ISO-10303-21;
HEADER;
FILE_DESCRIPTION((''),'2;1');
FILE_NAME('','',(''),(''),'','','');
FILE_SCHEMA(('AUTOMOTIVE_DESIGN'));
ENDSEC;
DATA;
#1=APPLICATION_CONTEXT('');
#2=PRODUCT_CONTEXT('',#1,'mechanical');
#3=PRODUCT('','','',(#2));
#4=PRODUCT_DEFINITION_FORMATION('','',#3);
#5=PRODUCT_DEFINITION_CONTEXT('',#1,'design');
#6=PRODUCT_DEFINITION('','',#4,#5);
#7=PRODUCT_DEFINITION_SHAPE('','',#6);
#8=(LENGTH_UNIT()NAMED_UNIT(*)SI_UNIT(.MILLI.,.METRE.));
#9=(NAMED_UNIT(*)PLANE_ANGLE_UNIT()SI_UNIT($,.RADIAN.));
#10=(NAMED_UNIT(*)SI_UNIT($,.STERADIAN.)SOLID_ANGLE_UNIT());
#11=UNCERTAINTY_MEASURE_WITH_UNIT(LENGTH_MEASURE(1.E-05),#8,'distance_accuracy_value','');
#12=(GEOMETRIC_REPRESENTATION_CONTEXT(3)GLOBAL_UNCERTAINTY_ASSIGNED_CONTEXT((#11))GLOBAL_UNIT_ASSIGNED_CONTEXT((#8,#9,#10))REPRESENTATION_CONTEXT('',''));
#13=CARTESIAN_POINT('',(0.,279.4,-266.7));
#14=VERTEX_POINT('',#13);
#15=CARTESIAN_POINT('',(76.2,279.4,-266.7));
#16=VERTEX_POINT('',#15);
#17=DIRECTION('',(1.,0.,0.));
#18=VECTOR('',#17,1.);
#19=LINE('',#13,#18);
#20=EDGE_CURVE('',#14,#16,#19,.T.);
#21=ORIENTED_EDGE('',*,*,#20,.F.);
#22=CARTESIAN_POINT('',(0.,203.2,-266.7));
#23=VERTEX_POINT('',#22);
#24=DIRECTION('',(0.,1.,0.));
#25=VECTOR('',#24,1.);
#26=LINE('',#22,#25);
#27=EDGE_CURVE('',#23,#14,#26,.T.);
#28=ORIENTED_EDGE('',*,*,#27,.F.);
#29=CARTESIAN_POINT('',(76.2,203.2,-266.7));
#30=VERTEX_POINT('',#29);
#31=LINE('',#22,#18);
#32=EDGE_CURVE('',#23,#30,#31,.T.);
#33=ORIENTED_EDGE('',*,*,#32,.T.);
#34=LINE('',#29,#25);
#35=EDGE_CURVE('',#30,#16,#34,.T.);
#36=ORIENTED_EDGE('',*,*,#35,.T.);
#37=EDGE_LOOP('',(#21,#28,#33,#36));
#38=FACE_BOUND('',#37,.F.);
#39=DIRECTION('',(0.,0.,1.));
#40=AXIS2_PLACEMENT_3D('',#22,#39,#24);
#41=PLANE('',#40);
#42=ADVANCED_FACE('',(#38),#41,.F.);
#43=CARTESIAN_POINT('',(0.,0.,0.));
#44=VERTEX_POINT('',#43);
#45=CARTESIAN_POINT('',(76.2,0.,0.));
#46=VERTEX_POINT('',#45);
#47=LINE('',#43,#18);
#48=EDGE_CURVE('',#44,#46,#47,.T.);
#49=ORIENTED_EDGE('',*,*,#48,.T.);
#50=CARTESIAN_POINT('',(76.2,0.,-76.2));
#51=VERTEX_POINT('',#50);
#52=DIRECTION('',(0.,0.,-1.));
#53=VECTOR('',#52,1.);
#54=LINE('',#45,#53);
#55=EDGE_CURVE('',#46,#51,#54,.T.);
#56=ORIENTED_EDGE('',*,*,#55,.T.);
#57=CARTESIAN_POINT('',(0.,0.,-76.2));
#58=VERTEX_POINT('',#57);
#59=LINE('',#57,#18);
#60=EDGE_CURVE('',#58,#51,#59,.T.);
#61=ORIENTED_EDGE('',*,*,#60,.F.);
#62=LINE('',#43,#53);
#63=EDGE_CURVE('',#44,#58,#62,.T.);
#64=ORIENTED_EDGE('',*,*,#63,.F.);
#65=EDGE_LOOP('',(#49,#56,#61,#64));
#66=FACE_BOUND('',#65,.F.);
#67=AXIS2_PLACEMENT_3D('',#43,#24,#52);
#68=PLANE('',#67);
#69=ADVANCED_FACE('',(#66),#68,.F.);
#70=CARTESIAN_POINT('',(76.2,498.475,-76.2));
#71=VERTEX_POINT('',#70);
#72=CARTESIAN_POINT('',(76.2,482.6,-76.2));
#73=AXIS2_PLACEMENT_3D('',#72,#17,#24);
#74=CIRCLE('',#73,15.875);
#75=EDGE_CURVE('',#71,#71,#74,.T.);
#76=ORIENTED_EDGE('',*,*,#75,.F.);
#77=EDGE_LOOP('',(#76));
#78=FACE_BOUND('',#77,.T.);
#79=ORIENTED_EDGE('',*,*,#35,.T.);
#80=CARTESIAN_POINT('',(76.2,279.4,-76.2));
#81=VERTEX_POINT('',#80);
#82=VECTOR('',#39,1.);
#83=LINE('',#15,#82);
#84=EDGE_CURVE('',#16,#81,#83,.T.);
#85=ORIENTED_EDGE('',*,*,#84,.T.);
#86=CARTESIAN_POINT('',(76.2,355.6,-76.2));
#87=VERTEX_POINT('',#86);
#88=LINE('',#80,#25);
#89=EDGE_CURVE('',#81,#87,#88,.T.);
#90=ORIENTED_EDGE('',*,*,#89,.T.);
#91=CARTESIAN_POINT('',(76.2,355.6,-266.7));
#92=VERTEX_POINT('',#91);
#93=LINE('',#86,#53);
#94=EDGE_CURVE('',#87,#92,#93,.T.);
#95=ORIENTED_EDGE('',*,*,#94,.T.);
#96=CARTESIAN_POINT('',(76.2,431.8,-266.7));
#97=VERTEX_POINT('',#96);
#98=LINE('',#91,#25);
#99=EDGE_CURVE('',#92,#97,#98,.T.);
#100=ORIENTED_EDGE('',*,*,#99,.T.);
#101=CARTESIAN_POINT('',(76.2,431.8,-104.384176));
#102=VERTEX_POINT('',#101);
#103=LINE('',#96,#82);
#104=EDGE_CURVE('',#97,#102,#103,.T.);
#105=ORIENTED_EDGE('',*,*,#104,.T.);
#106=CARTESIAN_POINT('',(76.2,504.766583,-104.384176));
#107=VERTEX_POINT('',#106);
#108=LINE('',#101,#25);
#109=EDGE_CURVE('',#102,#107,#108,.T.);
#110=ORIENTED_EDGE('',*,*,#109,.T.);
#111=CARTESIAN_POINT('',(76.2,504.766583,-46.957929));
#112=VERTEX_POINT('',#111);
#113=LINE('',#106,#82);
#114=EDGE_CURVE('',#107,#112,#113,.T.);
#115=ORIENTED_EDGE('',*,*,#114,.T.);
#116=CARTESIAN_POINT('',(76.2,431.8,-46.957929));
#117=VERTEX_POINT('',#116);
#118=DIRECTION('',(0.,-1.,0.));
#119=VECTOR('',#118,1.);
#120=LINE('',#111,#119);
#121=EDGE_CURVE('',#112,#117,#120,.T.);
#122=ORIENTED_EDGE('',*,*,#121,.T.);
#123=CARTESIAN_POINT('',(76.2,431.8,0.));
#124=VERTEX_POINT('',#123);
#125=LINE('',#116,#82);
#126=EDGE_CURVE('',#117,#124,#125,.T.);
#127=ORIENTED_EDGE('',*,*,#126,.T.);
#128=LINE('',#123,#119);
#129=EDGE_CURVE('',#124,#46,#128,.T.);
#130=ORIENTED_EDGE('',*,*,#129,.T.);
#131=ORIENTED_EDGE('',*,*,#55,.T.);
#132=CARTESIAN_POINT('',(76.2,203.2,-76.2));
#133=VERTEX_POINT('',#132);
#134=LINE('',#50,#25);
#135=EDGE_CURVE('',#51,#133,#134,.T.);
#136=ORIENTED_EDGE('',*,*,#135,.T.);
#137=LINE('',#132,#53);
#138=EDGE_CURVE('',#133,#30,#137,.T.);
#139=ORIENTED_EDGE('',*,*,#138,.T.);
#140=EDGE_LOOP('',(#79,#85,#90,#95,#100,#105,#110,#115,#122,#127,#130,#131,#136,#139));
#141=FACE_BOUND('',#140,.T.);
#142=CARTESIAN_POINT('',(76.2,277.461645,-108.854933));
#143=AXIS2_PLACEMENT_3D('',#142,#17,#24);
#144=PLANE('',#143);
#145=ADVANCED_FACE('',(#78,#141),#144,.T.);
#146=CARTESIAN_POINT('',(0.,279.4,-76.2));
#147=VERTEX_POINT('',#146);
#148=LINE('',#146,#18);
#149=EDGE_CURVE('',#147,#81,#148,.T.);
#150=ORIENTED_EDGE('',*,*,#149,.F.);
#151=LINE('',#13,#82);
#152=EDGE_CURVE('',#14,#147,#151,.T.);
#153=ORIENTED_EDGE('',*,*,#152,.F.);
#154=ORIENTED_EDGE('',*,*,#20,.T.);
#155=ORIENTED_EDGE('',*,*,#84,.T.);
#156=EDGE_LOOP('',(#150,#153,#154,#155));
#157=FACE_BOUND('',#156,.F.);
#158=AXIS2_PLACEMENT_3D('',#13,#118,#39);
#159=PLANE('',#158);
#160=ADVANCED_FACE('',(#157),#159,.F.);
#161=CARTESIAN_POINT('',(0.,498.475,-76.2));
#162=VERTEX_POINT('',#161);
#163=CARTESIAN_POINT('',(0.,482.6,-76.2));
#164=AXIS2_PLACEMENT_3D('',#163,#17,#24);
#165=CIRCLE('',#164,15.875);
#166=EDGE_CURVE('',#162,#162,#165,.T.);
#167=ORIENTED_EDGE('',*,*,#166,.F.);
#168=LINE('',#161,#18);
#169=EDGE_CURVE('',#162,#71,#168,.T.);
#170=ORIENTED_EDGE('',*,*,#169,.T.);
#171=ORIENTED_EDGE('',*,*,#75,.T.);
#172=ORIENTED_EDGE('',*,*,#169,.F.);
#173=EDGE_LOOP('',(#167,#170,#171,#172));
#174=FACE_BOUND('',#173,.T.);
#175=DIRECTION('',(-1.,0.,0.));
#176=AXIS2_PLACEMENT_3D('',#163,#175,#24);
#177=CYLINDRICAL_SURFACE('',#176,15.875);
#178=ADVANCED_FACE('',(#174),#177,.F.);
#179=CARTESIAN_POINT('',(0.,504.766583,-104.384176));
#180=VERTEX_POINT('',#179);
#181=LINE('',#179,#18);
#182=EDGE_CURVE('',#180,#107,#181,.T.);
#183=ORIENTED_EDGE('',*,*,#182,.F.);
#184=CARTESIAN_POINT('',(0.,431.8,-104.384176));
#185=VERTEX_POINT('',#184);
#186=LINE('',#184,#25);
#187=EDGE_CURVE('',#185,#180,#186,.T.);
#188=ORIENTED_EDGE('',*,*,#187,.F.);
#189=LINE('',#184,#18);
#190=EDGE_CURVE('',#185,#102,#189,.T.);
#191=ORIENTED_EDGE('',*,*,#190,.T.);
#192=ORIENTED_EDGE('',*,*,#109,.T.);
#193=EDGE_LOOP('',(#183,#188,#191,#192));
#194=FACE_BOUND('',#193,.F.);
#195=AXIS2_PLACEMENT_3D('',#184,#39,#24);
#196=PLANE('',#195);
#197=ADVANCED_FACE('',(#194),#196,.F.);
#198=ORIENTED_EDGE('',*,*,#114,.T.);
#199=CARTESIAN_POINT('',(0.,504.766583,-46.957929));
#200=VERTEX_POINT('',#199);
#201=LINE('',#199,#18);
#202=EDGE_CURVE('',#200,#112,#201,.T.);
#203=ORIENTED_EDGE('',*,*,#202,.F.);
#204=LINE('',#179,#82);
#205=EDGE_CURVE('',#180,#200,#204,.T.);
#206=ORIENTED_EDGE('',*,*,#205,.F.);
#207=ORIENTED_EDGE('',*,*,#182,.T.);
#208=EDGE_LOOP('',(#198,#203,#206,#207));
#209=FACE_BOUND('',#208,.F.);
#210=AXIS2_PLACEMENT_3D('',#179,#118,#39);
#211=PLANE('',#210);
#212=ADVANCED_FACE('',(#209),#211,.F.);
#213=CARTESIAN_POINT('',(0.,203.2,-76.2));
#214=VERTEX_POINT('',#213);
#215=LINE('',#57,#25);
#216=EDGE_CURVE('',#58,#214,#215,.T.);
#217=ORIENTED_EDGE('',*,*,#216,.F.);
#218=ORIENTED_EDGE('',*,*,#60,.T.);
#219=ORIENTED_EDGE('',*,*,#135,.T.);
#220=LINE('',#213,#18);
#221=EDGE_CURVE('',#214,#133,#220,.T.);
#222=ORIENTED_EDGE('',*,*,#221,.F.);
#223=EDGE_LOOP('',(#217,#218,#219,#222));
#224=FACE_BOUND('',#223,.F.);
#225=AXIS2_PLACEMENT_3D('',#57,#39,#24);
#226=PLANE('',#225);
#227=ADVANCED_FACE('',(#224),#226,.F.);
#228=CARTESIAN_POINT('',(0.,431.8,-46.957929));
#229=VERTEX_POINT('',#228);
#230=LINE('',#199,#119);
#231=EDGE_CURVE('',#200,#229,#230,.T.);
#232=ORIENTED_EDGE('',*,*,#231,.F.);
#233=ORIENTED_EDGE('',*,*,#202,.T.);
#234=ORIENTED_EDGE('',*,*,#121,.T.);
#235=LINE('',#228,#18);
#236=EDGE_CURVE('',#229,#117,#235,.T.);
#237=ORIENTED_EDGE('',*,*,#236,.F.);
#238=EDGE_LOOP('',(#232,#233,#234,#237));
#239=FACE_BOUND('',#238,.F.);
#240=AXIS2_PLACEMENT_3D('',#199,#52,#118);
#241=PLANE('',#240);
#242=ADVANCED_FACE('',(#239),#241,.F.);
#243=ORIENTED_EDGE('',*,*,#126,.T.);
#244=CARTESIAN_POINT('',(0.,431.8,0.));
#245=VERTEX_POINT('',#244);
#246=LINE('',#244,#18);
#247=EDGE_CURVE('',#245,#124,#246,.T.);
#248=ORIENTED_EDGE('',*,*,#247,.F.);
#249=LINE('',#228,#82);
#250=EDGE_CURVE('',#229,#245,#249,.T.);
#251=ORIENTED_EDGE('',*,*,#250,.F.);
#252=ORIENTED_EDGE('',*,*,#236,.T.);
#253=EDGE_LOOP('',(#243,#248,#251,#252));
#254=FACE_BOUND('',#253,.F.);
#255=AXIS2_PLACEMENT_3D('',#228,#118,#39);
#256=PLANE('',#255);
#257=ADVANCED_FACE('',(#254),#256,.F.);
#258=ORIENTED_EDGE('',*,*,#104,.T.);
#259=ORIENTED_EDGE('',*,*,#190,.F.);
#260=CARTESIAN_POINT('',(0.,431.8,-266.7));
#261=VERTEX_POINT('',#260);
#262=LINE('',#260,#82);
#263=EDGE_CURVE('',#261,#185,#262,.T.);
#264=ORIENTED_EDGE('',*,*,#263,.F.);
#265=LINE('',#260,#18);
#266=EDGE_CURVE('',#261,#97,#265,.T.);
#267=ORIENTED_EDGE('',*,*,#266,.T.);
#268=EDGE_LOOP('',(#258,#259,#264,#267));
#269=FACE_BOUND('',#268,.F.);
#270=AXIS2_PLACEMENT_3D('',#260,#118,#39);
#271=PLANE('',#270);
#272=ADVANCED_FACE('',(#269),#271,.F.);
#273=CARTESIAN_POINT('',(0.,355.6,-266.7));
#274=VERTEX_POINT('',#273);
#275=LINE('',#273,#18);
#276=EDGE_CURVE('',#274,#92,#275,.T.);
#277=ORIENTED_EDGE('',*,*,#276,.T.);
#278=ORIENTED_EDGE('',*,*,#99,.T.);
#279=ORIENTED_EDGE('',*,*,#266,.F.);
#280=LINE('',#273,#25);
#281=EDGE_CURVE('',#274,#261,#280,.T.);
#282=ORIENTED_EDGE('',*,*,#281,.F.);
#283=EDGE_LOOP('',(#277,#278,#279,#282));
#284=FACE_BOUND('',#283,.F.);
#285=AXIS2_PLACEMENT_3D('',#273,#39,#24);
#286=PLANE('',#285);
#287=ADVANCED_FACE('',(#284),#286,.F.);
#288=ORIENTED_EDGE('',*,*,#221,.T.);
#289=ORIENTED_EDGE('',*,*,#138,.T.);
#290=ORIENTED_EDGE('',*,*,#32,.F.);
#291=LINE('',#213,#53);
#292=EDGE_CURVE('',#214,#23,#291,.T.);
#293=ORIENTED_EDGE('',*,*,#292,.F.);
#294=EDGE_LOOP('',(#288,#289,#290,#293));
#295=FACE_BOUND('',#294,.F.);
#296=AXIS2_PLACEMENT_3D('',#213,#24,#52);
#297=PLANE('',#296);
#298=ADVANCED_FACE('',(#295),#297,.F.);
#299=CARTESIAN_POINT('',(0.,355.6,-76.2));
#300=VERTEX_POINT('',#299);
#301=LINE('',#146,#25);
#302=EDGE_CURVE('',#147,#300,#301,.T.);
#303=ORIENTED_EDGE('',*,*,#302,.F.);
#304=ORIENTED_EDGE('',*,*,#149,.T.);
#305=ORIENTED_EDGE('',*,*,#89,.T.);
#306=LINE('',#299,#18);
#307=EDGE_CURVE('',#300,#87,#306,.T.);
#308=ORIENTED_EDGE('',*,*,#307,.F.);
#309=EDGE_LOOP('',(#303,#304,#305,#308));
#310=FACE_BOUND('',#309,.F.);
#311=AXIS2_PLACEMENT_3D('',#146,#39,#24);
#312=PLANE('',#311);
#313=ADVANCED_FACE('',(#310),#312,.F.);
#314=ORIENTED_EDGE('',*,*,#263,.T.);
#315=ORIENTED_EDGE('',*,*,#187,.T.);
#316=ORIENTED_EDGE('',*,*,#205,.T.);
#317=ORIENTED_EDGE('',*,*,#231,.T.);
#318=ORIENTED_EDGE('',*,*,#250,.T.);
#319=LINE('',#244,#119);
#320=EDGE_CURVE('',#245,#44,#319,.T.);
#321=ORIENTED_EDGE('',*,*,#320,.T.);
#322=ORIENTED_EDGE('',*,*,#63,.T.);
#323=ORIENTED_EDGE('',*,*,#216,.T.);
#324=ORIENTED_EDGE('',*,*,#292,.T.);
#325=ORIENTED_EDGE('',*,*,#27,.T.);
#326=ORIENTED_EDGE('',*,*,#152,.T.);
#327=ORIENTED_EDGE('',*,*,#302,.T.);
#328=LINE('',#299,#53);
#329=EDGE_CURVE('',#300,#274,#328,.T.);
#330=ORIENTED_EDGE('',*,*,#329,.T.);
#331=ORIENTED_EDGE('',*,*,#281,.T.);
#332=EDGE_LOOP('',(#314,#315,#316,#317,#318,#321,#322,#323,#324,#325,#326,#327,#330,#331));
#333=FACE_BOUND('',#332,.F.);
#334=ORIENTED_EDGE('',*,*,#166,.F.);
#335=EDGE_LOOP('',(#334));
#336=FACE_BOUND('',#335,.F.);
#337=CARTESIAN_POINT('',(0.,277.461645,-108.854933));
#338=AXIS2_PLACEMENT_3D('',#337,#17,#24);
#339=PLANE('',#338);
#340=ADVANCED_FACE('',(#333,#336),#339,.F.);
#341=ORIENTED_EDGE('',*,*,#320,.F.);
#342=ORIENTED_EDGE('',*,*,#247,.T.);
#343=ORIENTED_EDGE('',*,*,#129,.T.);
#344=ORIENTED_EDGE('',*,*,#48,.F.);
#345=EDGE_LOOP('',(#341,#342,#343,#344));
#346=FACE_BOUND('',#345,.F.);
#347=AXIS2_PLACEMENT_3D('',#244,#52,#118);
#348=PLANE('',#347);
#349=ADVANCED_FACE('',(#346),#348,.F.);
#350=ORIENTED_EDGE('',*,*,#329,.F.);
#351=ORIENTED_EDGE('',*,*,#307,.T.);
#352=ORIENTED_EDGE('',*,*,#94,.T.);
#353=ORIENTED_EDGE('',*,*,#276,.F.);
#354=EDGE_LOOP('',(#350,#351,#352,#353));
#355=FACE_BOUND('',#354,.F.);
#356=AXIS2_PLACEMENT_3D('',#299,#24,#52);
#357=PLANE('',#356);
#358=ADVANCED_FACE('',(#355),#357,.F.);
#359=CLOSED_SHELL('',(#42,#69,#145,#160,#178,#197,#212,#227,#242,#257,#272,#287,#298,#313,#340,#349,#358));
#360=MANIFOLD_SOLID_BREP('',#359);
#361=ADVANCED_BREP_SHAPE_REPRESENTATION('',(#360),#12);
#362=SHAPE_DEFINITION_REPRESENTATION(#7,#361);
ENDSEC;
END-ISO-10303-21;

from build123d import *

# Parameters (mm, degrees)
F0_R     = 15.875
F1_DEPTH = 76.2


with BuildPart() as f1:
    # F0 (on Right) → F1 (new body)
    with BuildSketch(Plane.YZ):
        Polygon((431.8, 0), (0, 0), (0, -76.2), (203.2, -76.2), (203.2, -266.7), (279.4, -266.7), (279.4, -76.2), (355.6, -76.2), (355.6, -266.7), (431.8, -266.7), (431.8, -104.384176), (504.766583, -104.384176), (504.766583, -46.957929), (431.8, -46.957929), align=None)
        with Locations((482.6, -76.2)):
            Circle(F0_R, mode=Mode.SUBTRACT)
    extrude(amount=F1_DEPTH)


solid = f1.part
